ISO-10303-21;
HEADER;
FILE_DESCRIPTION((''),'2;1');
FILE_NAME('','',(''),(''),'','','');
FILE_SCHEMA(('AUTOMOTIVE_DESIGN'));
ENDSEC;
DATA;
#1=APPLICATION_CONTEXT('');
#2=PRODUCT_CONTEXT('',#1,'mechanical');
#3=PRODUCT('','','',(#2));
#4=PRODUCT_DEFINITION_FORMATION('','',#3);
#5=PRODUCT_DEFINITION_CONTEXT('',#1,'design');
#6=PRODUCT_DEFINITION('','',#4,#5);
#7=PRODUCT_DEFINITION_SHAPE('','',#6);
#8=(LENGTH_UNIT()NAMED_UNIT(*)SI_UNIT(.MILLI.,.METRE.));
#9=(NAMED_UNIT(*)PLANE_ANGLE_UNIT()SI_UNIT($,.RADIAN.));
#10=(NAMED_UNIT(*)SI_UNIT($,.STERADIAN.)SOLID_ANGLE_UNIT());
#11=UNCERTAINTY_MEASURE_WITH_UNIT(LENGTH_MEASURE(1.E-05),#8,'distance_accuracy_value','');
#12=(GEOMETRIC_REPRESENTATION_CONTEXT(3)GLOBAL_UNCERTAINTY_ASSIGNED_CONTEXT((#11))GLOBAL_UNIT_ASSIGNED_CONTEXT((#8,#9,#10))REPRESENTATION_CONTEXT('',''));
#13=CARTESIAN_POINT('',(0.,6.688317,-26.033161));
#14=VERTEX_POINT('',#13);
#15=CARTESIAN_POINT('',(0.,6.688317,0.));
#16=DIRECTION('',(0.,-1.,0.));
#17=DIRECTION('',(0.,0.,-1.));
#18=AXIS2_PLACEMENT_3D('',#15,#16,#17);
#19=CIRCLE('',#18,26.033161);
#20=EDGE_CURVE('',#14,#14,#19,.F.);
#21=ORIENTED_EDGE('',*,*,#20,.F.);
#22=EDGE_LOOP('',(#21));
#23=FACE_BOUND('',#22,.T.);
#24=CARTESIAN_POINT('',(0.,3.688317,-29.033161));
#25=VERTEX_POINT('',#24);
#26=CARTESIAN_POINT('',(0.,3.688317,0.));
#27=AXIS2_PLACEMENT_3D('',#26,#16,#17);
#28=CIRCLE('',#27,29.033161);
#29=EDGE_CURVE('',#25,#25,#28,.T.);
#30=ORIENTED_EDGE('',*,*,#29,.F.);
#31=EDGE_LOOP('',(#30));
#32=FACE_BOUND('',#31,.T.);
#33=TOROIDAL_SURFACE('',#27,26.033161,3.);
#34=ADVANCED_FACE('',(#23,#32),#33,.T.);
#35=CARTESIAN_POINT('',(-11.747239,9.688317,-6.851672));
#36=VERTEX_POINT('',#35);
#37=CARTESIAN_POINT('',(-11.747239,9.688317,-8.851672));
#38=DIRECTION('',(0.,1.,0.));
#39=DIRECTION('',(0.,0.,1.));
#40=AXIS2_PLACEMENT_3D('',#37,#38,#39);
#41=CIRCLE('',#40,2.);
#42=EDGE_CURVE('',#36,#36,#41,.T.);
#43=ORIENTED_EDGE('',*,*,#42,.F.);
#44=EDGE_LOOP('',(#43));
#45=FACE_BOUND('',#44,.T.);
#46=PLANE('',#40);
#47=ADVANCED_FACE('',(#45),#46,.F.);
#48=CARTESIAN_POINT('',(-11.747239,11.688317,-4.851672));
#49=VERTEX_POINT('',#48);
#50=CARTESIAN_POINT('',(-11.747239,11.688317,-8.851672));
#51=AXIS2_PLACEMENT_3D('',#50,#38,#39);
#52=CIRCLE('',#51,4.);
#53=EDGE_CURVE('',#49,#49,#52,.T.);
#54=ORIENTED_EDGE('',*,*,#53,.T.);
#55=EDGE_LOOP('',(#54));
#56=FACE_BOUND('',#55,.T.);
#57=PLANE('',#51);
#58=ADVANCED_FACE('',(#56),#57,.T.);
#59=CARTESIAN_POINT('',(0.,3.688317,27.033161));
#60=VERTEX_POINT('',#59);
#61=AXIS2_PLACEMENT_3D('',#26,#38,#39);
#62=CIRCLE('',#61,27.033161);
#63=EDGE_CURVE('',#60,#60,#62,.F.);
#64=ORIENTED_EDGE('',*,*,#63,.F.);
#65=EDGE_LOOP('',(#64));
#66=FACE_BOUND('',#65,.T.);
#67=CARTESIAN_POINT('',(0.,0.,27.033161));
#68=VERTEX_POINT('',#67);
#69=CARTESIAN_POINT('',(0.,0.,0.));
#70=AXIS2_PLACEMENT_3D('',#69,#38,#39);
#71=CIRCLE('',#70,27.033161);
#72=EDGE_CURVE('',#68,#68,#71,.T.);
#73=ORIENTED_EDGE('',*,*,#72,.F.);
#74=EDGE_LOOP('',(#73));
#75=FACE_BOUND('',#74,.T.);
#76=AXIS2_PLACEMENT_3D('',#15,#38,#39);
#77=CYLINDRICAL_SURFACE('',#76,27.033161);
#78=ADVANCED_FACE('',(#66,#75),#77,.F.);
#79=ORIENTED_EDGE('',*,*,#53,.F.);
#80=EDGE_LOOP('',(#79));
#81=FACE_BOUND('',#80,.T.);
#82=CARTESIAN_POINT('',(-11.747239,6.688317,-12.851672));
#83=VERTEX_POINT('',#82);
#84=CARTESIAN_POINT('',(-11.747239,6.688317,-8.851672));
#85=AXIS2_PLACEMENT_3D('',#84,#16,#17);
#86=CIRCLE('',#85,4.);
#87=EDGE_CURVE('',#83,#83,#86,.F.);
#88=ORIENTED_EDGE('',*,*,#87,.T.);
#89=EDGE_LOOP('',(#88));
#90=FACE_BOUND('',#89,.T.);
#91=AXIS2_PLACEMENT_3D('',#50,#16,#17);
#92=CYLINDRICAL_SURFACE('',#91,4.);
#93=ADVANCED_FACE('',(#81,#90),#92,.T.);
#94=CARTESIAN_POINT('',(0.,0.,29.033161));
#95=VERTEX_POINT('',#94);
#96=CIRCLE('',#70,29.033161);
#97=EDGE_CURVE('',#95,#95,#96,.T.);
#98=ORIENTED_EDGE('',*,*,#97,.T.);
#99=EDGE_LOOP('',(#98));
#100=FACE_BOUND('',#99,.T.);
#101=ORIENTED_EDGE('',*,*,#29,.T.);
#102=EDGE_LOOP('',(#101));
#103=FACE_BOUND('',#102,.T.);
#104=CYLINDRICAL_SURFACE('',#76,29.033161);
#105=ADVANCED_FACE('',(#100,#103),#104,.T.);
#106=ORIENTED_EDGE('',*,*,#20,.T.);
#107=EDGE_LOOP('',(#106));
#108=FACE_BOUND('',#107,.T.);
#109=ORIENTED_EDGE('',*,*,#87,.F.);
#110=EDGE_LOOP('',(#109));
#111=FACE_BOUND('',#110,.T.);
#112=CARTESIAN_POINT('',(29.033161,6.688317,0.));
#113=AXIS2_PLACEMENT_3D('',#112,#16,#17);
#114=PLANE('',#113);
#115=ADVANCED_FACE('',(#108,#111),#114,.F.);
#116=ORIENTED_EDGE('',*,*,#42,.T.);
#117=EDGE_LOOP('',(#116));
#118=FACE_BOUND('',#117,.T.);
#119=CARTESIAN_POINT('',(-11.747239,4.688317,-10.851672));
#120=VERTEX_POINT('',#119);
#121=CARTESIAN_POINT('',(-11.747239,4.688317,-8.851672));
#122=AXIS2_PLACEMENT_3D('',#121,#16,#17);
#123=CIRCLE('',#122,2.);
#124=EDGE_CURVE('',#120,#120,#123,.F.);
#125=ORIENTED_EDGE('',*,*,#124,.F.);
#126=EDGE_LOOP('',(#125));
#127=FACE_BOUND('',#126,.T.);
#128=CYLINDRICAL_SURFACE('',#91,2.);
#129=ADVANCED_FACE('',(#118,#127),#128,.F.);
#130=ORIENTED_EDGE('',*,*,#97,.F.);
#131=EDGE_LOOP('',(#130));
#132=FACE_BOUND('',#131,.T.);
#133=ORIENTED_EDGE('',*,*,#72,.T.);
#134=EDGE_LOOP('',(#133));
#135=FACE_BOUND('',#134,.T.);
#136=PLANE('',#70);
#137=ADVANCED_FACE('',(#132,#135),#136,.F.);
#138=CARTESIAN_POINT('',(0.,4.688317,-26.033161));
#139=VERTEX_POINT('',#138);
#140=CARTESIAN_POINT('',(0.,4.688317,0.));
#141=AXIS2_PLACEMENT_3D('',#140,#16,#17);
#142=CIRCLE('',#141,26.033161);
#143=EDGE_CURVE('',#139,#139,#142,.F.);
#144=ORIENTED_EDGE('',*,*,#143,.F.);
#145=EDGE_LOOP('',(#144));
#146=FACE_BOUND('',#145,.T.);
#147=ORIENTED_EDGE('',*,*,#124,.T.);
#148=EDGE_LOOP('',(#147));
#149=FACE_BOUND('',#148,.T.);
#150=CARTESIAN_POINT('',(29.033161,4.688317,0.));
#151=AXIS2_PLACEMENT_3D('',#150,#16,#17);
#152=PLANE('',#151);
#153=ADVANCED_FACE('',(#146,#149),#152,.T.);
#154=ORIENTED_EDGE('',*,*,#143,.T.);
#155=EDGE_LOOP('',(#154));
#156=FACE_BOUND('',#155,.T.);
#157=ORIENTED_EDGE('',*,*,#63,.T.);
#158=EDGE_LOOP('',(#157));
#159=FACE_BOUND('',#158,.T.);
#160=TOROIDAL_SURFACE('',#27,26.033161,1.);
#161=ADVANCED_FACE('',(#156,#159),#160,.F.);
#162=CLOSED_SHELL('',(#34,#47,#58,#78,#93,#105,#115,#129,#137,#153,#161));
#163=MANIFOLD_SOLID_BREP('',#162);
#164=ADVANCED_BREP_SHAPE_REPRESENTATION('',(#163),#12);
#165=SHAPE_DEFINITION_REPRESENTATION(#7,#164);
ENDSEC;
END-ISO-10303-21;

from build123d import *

# Parameters (mm, degrees)
SKETCH_1_W      = 29.03316099
SKETCH_1_H      = 6.688317385
FILLET_1_R      = 3
SKETCH_2_R      = 4
EXTRUDE_1_DEPTH = 5
SHELL_1_T       = -2


with BuildPart() as part:
    # 草图1 → 旋转1 (revolve)
    with BuildSketch(Plane.XY, mode=Mode.PRIVATE) as revolve_1_sk:
        with Locations((14.516580495, 3.344158693)):
            Rectangle(SKETCH_1_W, SKETCH_1_H)
    revolve(revolve_1_sk.sketch.rotate(Axis((0, 6.688317385, 0), (0, -1, 0)), 90), axis=Axis((0, 6.688317385, 0), (0, -1, 0)))

    # 圆角1
    fillet_1_edges = [part.edges().sort_by_distance(p)[0] for p in [
        (0, 6.688317385, -29.03316099),
    ]]
    fillet(fillet_1_edges, radius=FILLET_1_R)

    # 草图2 → 凸台-拉伸1 (add)
    with BuildSketch(Plane(origin=(0, 6.688317385, 0), x_dir=(1, 0, 0), z_dir=(0, 1, 0))):
        with Locations(Location((-11.747239152, 8.851672142, 0), (0, 0, 90))):
            Circle(SKETCH_2_R)
    extrude(amount=EXTRUDE_1_DEPTH)

    # 抽壳1
    shell_1_openings = [part.faces().sort_by_distance(p)[0] for p in [
        (0, 0, 0),
    ]]
    offset(amount=SHELL_1_T, openings=shell_1_openings, kind=Kind.INTERSECTION)


solid = part.part
